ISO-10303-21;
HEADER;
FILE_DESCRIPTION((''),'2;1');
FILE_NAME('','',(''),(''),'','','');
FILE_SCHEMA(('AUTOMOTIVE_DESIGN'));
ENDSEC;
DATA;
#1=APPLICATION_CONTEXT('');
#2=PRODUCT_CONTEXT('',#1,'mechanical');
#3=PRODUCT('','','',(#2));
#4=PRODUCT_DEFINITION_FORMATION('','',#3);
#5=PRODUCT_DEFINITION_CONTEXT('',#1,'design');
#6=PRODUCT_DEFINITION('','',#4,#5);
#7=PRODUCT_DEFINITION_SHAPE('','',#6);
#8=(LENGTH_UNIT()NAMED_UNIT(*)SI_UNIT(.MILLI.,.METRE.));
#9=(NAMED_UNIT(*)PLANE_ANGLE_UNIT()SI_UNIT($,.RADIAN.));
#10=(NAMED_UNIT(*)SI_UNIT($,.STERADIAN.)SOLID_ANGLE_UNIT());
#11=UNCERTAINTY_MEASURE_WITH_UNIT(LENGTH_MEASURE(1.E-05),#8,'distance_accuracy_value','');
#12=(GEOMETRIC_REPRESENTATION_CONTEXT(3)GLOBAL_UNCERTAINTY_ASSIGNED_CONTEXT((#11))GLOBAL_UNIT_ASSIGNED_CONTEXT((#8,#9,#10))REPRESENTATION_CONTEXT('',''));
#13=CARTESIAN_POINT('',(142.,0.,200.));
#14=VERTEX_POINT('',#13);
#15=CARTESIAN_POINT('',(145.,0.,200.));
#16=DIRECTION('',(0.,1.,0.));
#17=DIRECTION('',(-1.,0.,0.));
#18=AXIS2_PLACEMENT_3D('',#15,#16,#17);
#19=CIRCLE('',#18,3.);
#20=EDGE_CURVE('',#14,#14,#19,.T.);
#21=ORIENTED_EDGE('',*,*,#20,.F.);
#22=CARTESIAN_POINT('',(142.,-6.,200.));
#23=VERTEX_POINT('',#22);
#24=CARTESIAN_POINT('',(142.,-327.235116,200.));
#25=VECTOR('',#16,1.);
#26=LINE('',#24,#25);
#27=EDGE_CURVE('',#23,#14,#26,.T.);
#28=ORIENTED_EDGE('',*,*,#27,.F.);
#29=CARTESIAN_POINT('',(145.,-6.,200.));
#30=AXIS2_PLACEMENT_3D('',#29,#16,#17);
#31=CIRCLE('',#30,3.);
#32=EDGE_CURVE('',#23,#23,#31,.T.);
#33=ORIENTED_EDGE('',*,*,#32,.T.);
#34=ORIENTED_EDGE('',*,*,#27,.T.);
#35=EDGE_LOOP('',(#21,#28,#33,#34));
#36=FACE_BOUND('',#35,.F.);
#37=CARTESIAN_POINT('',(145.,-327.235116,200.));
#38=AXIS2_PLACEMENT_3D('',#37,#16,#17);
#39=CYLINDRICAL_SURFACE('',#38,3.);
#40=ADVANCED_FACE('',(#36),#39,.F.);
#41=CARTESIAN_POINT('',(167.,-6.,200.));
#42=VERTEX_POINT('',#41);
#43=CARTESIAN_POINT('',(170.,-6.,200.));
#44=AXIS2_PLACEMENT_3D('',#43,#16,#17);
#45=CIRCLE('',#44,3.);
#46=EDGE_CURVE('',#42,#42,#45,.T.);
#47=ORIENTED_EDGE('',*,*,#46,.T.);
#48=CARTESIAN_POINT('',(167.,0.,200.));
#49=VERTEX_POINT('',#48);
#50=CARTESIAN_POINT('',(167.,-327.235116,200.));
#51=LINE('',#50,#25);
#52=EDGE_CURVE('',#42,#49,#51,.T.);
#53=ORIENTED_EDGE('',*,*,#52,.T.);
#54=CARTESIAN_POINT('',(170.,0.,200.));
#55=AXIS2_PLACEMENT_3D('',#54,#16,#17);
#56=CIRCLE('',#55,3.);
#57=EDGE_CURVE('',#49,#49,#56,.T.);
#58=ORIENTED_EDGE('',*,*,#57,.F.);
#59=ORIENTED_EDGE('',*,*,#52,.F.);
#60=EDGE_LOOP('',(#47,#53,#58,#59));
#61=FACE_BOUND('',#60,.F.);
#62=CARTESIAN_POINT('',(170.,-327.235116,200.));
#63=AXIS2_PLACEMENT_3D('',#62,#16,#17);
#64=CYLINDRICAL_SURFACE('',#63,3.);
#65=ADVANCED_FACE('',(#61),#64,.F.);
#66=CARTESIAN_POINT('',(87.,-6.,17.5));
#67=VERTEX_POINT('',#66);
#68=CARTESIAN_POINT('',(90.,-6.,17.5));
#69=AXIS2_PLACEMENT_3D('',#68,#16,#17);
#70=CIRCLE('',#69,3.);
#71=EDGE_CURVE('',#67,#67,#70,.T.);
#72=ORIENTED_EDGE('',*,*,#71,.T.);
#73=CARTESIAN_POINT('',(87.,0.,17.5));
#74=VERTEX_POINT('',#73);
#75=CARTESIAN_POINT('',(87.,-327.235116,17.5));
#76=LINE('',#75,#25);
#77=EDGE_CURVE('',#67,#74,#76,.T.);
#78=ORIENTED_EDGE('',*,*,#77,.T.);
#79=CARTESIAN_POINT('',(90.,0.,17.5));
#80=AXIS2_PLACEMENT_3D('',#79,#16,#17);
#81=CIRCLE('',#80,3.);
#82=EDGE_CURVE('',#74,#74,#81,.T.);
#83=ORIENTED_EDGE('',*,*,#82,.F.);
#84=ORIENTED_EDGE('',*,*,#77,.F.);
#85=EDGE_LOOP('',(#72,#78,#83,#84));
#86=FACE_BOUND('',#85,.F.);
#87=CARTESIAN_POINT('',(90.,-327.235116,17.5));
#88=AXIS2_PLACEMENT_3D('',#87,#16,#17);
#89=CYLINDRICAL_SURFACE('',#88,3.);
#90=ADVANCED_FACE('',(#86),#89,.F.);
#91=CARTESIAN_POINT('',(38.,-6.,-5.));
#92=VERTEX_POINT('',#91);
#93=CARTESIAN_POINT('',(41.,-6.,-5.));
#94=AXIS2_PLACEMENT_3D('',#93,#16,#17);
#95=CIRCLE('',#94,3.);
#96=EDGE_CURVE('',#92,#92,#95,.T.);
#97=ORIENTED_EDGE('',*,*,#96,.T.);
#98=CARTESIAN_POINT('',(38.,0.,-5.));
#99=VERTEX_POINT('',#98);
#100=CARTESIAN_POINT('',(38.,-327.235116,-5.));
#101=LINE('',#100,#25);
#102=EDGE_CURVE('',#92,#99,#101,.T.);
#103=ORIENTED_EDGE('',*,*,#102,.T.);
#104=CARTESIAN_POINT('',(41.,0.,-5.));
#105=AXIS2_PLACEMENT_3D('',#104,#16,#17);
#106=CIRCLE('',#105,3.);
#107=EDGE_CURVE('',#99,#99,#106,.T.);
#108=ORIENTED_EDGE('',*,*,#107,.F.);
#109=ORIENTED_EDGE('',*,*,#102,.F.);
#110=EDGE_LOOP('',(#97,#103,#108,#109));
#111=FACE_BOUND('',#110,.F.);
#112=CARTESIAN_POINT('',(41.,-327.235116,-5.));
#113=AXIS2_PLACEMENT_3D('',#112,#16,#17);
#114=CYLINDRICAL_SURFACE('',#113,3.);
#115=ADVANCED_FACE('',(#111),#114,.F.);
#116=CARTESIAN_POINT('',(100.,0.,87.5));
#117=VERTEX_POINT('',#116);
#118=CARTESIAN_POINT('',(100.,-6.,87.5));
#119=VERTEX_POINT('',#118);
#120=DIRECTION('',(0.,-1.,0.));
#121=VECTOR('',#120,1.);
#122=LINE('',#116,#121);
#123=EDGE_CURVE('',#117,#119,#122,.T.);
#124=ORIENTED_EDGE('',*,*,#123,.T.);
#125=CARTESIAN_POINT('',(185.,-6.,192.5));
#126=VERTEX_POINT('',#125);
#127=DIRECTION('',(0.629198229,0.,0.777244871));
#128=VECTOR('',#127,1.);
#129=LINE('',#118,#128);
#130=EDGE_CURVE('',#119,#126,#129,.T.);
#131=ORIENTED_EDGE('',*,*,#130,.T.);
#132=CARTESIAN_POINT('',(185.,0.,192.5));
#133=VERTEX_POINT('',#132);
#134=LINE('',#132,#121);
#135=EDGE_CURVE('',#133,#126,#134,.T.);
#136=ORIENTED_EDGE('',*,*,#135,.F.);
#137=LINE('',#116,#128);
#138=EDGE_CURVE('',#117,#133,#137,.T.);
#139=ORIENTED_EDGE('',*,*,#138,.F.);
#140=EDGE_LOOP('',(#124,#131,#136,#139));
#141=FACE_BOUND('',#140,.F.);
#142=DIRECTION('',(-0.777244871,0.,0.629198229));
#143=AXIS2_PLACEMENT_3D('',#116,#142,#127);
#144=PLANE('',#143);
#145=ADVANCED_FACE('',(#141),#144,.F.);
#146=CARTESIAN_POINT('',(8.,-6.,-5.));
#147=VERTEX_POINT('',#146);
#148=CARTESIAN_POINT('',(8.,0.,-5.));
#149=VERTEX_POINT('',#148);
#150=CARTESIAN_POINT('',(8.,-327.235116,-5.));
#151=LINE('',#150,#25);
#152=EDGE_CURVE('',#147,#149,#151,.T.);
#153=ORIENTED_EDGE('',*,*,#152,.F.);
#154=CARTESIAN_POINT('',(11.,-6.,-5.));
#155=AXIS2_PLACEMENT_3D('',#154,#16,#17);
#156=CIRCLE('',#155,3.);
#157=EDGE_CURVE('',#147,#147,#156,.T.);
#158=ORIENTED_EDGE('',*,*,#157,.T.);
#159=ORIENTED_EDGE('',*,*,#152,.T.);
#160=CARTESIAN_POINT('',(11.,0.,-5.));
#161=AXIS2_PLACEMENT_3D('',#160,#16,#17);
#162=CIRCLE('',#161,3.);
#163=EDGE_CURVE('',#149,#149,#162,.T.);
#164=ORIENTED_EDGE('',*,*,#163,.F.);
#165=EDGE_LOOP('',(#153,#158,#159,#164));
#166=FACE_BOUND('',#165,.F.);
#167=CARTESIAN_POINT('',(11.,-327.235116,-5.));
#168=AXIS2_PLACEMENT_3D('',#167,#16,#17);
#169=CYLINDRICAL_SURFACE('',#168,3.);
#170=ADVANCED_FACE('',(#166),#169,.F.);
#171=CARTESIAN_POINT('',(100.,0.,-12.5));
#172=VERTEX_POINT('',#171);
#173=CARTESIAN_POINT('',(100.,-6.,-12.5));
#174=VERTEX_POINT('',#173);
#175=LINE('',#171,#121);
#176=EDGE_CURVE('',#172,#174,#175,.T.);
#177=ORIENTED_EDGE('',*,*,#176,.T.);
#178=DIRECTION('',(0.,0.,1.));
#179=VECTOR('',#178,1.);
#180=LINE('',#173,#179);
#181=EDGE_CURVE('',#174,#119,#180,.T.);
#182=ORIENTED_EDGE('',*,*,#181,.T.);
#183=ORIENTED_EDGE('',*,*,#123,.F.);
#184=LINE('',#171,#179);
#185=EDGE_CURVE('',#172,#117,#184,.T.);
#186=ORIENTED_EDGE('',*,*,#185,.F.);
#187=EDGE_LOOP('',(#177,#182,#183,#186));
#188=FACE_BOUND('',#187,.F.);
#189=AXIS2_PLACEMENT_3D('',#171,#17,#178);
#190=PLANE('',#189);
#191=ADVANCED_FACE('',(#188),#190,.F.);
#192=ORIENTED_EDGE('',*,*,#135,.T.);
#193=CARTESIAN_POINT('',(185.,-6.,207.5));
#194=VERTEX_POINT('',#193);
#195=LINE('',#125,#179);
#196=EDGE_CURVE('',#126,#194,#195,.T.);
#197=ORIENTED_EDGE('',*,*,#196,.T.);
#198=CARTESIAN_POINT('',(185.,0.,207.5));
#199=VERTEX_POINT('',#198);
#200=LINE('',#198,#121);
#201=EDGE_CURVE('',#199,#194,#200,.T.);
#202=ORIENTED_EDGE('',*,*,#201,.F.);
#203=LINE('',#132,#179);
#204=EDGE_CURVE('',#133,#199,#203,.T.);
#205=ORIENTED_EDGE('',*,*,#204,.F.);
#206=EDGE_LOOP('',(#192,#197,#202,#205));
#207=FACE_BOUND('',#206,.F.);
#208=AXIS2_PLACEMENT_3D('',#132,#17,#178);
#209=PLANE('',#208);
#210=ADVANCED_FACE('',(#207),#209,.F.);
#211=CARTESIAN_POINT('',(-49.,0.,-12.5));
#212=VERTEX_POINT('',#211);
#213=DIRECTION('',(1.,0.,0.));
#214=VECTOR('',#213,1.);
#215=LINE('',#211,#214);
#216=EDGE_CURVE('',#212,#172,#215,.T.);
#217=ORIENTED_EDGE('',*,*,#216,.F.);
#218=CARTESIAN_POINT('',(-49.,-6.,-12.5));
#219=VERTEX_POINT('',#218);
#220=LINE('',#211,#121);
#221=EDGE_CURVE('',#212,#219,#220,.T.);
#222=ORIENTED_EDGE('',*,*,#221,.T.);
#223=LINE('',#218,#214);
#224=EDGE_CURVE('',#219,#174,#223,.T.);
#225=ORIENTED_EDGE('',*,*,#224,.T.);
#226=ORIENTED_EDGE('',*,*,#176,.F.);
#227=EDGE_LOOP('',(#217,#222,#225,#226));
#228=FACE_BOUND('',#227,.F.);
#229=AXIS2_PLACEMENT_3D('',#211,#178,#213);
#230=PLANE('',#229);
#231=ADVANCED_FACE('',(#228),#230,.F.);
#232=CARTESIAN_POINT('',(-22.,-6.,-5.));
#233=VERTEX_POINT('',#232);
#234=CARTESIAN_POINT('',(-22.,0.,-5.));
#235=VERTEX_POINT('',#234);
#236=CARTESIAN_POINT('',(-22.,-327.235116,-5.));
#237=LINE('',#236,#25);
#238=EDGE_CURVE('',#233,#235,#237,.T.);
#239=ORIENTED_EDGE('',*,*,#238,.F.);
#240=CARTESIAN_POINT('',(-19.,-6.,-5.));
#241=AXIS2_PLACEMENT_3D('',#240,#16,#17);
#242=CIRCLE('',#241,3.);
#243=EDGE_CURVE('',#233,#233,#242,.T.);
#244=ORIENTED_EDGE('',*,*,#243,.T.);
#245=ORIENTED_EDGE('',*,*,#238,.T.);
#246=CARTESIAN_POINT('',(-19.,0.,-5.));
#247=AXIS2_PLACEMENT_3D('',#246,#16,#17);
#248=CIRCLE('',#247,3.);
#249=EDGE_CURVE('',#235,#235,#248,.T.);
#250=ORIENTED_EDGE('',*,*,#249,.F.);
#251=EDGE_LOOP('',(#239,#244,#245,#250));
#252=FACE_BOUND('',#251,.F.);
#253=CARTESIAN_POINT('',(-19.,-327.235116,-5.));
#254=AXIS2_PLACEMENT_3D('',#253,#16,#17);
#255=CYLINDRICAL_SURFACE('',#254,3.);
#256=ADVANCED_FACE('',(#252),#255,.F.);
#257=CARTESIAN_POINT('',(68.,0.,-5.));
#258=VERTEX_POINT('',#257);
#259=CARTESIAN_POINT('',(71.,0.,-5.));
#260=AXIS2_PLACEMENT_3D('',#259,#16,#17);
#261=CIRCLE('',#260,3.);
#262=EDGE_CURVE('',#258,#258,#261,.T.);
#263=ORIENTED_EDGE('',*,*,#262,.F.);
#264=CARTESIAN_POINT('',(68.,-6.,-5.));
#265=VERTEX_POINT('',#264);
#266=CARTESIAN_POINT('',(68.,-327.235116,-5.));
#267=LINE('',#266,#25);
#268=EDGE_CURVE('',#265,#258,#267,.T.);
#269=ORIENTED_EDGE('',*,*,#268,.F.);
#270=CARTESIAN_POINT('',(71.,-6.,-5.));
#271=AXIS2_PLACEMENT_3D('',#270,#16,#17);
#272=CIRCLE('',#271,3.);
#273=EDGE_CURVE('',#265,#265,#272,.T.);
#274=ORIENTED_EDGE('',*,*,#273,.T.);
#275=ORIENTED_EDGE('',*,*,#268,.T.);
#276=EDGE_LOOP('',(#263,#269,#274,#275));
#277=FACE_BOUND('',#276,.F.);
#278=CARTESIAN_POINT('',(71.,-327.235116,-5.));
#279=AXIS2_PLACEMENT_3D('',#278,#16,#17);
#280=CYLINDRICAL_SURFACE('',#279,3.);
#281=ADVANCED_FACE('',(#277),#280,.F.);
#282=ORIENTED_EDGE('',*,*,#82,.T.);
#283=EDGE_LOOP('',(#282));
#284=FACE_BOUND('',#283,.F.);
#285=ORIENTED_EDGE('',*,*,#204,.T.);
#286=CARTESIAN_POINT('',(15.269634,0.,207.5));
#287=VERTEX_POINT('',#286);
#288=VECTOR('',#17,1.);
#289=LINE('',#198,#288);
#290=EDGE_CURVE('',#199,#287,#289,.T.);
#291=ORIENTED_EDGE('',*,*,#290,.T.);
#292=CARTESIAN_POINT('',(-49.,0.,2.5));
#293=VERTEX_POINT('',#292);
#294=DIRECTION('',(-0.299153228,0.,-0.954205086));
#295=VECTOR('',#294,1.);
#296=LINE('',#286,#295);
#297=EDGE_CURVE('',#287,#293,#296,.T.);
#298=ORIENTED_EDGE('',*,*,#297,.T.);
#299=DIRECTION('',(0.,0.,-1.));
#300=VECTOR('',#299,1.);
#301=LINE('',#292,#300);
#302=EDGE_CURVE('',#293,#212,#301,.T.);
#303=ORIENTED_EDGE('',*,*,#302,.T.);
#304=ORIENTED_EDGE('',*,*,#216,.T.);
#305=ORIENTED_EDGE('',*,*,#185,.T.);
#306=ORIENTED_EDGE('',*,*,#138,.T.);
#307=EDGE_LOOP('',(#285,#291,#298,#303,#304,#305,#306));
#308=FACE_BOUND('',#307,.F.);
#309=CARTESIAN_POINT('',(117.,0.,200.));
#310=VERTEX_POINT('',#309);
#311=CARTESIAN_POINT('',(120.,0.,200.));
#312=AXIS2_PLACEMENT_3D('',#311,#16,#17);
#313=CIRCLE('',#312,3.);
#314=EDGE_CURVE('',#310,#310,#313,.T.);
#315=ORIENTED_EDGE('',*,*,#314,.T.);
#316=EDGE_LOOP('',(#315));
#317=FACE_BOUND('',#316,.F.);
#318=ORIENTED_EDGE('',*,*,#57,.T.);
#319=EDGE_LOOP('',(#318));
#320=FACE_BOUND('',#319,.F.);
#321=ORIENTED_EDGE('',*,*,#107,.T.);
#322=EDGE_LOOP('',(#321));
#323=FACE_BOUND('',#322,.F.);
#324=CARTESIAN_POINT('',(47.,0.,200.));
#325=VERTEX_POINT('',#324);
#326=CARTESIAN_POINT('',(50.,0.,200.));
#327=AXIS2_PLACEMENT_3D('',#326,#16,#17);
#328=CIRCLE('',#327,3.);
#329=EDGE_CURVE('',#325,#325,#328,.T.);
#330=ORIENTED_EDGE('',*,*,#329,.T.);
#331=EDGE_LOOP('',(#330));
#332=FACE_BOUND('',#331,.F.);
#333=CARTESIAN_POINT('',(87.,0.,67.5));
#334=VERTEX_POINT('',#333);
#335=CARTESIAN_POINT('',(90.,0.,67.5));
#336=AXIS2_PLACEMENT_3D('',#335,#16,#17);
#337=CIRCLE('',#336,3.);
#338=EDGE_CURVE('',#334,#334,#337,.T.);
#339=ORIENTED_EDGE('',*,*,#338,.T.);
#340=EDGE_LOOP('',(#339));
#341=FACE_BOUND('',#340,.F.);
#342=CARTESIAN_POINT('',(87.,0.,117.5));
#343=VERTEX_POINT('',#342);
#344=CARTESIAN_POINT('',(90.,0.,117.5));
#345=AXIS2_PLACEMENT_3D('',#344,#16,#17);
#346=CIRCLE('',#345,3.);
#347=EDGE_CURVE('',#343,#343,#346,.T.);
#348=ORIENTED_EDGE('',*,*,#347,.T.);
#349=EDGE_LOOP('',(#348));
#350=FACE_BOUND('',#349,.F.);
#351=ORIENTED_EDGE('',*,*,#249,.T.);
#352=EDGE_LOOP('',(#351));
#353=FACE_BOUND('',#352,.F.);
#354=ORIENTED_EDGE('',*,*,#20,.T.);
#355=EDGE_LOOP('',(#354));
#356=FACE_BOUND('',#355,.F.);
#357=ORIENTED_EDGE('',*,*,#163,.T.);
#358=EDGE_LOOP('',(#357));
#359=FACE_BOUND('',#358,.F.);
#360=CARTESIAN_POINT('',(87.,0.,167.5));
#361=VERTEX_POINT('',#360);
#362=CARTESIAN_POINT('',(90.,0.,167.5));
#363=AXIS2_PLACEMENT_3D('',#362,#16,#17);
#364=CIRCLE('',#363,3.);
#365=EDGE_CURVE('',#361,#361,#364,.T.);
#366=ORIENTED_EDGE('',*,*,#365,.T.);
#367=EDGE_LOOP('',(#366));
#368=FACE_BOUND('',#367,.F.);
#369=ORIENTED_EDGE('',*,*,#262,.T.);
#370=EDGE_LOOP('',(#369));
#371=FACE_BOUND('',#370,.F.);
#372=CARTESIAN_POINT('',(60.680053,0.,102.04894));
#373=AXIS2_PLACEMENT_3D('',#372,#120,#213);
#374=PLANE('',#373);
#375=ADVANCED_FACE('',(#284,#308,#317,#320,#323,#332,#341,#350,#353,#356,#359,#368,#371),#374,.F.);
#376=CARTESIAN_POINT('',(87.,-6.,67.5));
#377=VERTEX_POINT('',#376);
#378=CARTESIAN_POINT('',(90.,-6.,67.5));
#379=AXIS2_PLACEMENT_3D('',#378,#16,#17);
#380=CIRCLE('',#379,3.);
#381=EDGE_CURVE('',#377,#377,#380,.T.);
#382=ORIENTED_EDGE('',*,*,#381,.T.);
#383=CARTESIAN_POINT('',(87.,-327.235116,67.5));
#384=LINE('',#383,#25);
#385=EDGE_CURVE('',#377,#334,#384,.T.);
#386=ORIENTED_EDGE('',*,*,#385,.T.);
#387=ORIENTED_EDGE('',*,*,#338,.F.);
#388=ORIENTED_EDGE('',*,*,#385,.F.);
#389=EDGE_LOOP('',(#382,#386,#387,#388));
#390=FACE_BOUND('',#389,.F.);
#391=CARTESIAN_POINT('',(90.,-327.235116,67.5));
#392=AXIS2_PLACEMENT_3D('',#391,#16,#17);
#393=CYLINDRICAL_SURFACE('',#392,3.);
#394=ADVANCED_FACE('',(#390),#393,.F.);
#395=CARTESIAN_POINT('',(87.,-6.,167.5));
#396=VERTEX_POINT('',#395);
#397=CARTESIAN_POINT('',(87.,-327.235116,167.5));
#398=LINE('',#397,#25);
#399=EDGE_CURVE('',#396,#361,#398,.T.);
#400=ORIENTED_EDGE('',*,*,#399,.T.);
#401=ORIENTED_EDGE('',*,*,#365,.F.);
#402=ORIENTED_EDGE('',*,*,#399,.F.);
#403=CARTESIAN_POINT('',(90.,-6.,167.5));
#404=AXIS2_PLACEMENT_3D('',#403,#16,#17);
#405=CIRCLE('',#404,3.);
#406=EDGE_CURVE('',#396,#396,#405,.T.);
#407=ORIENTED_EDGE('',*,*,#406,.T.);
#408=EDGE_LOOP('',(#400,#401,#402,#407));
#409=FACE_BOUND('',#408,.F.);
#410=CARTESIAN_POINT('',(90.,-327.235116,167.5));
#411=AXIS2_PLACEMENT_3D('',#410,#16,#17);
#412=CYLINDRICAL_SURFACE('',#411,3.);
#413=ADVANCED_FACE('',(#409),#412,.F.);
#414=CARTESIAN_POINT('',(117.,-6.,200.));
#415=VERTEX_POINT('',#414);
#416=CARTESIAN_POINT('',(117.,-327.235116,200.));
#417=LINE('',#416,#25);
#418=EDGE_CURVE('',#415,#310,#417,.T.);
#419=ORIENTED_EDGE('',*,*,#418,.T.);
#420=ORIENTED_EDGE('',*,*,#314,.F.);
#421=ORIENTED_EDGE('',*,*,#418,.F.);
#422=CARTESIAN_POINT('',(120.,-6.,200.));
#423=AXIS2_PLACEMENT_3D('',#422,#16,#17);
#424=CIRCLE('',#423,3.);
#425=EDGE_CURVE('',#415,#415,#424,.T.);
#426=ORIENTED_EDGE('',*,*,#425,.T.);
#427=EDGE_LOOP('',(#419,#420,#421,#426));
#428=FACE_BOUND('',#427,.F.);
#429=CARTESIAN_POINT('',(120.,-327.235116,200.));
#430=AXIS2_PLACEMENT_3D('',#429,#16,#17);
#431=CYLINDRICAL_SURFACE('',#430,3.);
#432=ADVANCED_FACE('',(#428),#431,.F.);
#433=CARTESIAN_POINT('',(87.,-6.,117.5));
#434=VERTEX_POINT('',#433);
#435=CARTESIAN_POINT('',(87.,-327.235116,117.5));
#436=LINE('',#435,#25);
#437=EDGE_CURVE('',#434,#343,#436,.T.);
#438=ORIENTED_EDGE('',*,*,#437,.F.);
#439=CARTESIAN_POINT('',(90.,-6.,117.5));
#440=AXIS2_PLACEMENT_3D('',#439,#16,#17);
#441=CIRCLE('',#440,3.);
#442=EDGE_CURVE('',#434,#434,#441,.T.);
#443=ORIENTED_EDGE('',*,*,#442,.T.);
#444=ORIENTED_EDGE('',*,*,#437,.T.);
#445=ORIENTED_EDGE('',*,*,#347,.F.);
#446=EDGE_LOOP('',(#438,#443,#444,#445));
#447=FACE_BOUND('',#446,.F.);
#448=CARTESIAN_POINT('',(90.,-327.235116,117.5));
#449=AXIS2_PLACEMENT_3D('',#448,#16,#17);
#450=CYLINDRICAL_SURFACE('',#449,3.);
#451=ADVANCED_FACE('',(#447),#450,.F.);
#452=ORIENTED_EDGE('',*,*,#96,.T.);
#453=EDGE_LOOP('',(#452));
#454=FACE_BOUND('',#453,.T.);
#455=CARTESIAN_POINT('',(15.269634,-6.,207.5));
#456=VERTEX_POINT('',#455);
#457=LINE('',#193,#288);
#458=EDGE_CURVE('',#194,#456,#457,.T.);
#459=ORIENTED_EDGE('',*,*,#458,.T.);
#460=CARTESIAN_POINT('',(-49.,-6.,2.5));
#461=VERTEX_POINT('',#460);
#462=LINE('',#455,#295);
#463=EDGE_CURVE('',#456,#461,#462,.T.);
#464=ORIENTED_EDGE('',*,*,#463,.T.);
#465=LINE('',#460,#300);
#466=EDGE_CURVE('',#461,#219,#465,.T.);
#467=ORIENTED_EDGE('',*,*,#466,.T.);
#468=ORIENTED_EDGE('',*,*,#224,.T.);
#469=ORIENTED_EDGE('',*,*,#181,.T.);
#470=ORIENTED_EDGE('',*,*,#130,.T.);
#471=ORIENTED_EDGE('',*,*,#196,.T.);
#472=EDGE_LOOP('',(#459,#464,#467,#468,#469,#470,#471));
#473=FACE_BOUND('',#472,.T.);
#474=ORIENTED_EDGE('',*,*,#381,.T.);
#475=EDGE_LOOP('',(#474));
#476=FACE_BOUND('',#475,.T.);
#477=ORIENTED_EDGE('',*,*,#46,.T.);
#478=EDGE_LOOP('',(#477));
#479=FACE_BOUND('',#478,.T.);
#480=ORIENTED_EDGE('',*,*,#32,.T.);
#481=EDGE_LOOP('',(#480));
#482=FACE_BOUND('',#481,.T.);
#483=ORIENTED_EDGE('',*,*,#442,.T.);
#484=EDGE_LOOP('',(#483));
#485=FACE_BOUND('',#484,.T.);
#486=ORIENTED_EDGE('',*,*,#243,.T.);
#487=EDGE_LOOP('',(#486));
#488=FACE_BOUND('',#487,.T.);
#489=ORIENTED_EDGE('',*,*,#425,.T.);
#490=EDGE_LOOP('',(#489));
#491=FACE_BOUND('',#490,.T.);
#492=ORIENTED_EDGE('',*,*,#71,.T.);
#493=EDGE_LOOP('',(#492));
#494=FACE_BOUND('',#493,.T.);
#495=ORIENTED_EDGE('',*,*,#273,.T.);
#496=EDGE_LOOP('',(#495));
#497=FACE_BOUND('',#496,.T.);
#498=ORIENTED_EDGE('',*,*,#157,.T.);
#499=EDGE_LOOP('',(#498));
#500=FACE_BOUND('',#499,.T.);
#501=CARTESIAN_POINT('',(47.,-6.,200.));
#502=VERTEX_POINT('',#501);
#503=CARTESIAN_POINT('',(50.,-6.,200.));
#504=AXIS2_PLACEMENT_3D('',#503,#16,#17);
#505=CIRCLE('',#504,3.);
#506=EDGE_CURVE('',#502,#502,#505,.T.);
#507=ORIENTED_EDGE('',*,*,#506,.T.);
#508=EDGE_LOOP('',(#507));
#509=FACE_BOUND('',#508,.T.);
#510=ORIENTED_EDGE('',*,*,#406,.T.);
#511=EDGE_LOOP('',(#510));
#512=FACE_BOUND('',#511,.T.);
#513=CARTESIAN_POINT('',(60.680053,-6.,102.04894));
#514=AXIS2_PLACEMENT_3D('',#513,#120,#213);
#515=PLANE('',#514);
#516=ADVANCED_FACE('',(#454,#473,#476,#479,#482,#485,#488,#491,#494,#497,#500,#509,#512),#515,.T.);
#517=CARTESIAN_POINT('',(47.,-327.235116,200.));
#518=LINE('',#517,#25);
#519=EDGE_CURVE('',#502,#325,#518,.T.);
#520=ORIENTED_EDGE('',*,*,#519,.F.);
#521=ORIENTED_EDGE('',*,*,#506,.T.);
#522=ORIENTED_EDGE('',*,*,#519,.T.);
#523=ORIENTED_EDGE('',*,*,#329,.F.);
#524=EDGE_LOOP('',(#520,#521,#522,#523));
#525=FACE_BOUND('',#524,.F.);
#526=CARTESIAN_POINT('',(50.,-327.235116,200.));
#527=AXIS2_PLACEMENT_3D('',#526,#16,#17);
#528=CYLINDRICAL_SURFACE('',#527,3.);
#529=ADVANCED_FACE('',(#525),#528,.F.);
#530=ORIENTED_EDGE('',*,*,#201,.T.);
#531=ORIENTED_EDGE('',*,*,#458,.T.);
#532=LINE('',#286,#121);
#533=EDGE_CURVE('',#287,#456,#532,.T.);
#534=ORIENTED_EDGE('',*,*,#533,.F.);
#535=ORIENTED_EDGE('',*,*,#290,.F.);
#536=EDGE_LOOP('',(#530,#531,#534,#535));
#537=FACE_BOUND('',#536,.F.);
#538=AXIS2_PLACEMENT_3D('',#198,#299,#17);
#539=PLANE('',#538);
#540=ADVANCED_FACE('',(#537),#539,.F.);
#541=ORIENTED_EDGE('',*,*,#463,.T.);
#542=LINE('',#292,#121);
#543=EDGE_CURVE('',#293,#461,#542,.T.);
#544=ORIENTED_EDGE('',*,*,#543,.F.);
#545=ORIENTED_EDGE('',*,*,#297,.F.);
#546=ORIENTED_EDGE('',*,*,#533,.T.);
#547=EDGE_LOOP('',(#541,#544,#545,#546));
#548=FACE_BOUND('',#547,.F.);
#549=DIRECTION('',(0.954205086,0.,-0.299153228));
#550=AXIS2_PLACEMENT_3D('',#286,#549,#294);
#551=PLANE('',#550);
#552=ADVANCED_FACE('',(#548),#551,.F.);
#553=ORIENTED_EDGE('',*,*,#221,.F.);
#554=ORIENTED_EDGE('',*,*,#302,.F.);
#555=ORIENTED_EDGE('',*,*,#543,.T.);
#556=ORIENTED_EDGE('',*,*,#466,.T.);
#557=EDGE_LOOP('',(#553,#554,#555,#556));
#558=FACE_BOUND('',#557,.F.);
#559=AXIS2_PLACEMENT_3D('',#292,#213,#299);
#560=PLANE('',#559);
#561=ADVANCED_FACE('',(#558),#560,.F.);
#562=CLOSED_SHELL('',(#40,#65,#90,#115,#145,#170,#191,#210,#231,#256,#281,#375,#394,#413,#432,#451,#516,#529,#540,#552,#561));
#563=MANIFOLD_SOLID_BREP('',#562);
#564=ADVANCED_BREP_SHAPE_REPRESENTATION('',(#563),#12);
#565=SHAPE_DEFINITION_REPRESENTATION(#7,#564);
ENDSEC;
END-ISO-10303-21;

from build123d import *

# Parameters (mm, degrees)
F1_DEPTH = 6
F3_D     = 6


with BuildPart() as f1:
    # F0 (on Front) → F1 (new body)
    with BuildSketch(Plane.XZ):
        Polygon((-49, -12.5), (0, -12.5), (100, -12.5), (100, 87.5), (185, 192.5), (185, 207.5), (130, 207.5), (34.414634, 207.5), (15.269634, 207.5), (-49, 2.5), align=None)
    extrude(amount=F1_DEPTH)

    # F3 (through all)
    with Locations(Plane.XZ.offset(6)):
        with Locations((120, 200), (145, 200), (170, 200), (90, 167.5), (90, 117.5), (90, 67.5), (90, 17.5), (41, -5), (11, -5), (-19, -5), (71, -5), (50, 200)):
            Hole(F3_D / 2)


solid = f1.part
